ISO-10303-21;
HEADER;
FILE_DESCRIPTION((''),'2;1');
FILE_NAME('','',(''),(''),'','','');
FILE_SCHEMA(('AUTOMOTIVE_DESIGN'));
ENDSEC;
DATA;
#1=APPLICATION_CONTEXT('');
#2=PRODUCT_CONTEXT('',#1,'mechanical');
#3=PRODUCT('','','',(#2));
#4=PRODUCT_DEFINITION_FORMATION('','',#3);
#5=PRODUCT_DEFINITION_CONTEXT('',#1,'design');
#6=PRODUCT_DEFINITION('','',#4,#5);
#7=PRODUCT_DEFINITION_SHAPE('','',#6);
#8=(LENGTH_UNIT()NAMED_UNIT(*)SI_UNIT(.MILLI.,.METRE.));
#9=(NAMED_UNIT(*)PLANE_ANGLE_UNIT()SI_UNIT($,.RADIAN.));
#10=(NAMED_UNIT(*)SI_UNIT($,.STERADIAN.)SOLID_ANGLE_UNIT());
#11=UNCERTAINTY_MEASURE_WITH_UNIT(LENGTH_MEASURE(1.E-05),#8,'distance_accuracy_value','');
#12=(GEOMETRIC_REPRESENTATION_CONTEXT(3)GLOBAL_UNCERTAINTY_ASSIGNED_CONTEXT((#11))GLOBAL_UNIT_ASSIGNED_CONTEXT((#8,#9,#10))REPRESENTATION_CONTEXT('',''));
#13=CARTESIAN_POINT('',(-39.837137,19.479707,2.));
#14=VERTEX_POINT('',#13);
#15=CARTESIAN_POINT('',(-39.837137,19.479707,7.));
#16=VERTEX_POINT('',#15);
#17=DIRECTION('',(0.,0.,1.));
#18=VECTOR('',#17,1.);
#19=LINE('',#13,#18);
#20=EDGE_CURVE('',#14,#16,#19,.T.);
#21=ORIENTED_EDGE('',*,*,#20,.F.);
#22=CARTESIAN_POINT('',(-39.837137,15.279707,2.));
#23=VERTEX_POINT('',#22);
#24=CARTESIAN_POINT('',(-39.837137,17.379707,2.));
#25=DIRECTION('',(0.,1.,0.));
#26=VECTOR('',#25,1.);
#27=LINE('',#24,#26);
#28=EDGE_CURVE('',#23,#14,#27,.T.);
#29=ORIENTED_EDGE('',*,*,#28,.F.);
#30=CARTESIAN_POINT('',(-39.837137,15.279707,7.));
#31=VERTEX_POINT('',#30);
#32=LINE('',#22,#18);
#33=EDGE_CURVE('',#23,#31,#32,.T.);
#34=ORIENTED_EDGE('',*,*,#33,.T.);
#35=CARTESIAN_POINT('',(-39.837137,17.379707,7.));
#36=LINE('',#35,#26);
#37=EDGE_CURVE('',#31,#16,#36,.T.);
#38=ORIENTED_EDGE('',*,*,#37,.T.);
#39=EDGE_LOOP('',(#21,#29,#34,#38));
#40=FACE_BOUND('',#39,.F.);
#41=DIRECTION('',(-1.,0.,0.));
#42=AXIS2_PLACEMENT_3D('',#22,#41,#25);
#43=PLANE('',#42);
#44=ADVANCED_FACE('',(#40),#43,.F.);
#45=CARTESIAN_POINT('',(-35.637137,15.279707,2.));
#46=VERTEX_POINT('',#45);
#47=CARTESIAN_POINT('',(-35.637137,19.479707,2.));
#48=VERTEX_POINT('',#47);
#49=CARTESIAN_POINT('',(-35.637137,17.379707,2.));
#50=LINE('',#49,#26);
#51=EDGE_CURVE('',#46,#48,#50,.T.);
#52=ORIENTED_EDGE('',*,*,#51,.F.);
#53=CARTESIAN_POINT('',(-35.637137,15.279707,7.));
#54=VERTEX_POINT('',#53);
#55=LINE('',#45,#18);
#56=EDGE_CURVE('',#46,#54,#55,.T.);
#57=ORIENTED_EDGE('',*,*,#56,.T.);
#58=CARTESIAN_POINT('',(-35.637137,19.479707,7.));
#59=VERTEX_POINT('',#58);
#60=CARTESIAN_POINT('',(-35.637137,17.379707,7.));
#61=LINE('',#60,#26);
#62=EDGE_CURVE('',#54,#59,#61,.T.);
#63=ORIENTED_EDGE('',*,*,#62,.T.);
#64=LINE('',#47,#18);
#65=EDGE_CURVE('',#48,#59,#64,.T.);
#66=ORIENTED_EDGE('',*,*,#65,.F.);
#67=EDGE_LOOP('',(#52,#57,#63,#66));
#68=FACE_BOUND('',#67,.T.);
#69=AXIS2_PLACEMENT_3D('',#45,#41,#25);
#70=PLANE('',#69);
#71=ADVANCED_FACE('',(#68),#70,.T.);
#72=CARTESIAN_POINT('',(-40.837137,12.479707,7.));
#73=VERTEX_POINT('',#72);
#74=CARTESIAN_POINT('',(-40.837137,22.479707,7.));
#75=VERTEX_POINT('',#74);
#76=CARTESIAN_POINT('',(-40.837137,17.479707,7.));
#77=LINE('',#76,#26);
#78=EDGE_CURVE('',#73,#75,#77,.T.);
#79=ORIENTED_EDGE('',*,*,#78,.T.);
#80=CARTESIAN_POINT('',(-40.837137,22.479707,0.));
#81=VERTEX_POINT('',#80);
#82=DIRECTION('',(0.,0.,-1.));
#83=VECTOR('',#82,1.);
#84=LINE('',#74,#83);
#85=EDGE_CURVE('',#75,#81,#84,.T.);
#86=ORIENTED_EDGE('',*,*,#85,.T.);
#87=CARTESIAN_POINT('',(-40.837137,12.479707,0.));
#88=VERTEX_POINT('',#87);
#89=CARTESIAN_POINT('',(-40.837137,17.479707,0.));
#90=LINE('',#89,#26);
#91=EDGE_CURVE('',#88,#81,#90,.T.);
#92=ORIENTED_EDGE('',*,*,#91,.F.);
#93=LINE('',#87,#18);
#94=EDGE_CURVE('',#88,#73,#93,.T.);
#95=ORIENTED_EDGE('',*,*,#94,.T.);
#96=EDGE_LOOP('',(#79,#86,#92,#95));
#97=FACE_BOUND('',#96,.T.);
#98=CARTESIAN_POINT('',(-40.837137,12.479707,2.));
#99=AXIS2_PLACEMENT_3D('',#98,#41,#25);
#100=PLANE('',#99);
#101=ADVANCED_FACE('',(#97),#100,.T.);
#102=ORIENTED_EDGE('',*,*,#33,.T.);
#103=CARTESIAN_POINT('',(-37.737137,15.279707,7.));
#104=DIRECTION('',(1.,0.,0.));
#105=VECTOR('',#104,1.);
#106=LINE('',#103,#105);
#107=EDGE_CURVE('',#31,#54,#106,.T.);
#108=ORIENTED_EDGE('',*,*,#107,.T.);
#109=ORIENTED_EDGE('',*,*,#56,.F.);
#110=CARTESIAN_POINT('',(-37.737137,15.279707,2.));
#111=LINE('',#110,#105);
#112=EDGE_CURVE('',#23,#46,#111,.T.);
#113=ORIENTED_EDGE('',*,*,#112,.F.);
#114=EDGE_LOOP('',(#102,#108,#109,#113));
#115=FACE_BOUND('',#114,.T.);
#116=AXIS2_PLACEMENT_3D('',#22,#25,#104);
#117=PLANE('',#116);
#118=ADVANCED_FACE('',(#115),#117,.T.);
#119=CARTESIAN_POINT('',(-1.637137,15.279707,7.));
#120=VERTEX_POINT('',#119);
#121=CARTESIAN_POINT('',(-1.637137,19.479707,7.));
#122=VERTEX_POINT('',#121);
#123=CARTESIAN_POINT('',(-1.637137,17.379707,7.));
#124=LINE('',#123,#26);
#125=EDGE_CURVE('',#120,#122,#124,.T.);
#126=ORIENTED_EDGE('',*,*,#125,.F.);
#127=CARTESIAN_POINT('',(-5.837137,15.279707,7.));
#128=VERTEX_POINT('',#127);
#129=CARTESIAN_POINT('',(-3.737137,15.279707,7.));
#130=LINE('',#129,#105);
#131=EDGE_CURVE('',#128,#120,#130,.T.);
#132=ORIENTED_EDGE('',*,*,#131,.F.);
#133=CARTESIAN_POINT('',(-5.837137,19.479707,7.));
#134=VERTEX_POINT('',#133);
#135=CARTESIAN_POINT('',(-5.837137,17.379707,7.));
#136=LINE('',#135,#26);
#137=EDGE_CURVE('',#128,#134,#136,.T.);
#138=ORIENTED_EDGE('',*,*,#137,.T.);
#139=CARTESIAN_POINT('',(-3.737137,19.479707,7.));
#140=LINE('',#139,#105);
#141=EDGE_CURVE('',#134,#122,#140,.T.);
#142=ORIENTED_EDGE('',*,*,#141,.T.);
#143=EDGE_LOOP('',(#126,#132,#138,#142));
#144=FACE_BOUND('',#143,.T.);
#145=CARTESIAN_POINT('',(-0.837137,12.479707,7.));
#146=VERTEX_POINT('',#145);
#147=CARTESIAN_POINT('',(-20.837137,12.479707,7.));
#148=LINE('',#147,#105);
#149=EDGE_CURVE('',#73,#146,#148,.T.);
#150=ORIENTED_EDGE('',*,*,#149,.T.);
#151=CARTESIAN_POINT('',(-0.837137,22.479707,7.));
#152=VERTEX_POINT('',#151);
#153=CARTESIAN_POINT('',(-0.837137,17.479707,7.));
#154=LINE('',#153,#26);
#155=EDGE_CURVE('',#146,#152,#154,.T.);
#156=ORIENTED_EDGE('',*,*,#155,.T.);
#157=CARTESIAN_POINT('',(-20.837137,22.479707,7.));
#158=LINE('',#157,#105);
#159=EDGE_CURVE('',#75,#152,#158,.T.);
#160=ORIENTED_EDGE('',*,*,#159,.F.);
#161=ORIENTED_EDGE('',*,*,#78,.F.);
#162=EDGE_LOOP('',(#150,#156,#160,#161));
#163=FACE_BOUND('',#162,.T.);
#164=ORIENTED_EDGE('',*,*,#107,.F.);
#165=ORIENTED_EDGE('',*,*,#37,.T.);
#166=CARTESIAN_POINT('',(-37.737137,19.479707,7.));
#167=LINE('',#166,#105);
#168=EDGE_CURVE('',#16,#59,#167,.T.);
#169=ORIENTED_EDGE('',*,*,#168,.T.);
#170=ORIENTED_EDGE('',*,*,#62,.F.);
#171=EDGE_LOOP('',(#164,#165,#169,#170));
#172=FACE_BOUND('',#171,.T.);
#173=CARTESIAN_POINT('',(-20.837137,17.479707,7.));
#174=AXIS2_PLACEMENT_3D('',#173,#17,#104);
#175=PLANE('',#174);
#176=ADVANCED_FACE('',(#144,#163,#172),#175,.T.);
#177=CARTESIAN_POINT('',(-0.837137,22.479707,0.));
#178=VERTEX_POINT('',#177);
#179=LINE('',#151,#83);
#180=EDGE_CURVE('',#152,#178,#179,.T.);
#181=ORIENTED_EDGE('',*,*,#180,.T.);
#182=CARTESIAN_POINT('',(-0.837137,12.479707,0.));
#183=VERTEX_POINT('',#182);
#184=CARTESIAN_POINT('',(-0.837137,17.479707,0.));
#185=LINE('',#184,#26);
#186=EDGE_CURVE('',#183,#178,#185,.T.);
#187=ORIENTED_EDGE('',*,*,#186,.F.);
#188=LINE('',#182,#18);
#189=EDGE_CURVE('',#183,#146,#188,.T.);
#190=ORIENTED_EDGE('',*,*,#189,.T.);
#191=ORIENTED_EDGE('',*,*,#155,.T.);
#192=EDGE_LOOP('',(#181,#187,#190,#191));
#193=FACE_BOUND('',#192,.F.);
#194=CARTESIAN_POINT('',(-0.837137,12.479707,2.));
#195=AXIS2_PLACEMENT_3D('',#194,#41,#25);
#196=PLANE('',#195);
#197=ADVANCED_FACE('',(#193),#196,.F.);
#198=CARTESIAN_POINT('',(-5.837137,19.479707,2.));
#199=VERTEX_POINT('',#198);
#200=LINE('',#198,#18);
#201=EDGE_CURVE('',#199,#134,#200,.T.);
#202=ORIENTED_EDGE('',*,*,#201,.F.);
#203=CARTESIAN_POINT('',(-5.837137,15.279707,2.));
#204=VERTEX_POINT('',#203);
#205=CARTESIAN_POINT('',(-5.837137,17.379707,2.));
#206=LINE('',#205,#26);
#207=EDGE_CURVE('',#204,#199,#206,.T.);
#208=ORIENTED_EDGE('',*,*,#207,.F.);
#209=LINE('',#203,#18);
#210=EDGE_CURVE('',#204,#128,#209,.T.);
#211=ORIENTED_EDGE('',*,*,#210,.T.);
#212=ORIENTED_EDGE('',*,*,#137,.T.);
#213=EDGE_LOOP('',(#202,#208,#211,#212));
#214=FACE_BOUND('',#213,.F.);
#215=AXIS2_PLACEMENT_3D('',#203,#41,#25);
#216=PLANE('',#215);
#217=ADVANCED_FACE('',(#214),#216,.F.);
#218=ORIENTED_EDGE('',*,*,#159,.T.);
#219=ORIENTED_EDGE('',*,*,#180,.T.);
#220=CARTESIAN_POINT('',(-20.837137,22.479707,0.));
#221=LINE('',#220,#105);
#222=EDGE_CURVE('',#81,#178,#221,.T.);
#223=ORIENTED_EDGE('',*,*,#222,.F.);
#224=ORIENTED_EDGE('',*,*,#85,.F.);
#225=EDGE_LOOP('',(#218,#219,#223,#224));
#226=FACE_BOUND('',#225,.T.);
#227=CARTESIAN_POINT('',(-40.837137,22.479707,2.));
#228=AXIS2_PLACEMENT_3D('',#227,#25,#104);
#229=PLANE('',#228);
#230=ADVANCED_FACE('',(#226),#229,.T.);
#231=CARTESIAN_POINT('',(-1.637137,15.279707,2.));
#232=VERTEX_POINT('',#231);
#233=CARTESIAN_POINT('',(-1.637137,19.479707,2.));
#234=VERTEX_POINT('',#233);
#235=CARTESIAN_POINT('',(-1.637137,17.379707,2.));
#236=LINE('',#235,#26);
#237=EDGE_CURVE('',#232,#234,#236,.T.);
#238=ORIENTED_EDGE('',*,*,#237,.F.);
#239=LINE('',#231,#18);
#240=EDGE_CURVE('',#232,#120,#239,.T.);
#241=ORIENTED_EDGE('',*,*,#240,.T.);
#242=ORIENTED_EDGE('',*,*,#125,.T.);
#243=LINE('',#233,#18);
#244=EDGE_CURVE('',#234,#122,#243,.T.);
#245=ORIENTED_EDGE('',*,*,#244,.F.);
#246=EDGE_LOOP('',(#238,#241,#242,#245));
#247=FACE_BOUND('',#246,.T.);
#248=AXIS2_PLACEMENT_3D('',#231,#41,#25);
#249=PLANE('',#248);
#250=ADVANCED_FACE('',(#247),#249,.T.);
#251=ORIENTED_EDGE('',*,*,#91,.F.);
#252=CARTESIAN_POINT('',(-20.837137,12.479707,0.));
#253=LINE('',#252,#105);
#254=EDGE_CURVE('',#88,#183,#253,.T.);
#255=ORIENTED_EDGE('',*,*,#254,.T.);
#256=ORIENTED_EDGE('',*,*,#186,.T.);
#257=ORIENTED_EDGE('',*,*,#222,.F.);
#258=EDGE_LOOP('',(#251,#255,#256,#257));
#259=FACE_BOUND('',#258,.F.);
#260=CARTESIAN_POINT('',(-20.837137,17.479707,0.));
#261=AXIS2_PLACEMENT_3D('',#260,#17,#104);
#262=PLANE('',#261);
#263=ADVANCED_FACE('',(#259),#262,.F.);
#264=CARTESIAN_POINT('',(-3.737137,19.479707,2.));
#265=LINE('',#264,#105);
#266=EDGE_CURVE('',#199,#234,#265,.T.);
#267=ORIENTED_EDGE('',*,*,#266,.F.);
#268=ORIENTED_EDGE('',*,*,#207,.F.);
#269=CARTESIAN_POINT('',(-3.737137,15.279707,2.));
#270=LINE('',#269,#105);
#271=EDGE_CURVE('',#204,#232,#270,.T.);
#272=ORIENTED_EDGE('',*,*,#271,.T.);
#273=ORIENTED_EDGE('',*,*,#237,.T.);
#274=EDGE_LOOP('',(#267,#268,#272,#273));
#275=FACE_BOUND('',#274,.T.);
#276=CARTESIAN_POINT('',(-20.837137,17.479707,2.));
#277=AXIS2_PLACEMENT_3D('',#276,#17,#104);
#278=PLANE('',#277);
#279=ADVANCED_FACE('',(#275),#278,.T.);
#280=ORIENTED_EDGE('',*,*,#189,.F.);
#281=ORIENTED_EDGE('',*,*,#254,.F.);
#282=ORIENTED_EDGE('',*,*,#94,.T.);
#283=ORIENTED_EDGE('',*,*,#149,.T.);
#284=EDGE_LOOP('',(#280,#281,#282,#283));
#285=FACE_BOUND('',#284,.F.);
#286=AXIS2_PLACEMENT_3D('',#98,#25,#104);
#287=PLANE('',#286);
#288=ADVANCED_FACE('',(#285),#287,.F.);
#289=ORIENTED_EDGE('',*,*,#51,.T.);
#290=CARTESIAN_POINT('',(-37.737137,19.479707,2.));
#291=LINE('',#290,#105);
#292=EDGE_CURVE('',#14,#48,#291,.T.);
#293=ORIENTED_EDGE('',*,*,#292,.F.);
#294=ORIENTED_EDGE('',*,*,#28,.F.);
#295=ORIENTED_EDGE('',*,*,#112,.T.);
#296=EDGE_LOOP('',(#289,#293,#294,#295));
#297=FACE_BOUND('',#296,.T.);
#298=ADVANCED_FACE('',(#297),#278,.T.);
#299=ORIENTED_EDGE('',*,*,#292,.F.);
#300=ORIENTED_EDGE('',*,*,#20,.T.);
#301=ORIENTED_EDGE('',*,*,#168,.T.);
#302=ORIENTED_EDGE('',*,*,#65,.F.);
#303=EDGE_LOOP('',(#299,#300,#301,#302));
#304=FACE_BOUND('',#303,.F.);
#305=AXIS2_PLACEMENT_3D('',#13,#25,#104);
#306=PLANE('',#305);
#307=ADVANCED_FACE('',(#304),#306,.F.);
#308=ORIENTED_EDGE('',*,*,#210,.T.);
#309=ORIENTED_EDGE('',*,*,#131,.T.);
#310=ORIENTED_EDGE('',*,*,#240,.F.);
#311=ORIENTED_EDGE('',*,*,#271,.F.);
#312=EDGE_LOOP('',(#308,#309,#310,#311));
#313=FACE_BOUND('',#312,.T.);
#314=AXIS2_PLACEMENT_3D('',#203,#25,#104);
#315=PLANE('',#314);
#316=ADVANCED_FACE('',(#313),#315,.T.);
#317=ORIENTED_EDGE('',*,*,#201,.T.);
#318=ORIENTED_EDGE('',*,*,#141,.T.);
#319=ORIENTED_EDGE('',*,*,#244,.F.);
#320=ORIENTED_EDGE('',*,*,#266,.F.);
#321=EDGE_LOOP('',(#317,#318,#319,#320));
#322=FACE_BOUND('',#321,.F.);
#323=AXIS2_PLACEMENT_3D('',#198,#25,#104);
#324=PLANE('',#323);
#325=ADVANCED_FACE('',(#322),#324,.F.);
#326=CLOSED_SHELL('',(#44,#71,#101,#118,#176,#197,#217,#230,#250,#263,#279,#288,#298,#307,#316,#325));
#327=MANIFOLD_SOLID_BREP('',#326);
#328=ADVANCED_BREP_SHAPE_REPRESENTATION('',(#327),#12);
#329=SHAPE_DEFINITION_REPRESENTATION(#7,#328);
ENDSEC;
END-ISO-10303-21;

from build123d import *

# Parameters (mm, degrees)
F0_W     = 40
F0_H     = 10
F1_DEPTH = 2
F2_W     = 40
F2_H     = 10
F2_W_2   = 4.2
F2_H_2   = 4.2
F3_DEPTH = 5


with BuildPart() as f1:
    # F0 (on Top) → F1 (new body)
    with BuildSketch(Plane.XY):
        with Locations((-20.837137, 17.479707)):
            Rectangle(F0_W, F0_H)
    extrude(amount=F1_DEPTH)

    # F2 (on face) → F3 (join)
    with BuildSketch(Plane.XY.offset(2)):
        with Locations((-20.837137, 17.479707)):
            Rectangle(F2_W, F2_H)
        with Locations((-37.737137, 17.379707)):
            Rectangle(F2_W_2, F2_H_2, mode=Mode.SUBTRACT)
        with Locations((-3.737137, 17.379707)):
            Rectangle(F2_W_2, F2_H_2, mode=Mode.SUBTRACT)
    extrude(amount=F3_DEPTH)


solid = f1.part
